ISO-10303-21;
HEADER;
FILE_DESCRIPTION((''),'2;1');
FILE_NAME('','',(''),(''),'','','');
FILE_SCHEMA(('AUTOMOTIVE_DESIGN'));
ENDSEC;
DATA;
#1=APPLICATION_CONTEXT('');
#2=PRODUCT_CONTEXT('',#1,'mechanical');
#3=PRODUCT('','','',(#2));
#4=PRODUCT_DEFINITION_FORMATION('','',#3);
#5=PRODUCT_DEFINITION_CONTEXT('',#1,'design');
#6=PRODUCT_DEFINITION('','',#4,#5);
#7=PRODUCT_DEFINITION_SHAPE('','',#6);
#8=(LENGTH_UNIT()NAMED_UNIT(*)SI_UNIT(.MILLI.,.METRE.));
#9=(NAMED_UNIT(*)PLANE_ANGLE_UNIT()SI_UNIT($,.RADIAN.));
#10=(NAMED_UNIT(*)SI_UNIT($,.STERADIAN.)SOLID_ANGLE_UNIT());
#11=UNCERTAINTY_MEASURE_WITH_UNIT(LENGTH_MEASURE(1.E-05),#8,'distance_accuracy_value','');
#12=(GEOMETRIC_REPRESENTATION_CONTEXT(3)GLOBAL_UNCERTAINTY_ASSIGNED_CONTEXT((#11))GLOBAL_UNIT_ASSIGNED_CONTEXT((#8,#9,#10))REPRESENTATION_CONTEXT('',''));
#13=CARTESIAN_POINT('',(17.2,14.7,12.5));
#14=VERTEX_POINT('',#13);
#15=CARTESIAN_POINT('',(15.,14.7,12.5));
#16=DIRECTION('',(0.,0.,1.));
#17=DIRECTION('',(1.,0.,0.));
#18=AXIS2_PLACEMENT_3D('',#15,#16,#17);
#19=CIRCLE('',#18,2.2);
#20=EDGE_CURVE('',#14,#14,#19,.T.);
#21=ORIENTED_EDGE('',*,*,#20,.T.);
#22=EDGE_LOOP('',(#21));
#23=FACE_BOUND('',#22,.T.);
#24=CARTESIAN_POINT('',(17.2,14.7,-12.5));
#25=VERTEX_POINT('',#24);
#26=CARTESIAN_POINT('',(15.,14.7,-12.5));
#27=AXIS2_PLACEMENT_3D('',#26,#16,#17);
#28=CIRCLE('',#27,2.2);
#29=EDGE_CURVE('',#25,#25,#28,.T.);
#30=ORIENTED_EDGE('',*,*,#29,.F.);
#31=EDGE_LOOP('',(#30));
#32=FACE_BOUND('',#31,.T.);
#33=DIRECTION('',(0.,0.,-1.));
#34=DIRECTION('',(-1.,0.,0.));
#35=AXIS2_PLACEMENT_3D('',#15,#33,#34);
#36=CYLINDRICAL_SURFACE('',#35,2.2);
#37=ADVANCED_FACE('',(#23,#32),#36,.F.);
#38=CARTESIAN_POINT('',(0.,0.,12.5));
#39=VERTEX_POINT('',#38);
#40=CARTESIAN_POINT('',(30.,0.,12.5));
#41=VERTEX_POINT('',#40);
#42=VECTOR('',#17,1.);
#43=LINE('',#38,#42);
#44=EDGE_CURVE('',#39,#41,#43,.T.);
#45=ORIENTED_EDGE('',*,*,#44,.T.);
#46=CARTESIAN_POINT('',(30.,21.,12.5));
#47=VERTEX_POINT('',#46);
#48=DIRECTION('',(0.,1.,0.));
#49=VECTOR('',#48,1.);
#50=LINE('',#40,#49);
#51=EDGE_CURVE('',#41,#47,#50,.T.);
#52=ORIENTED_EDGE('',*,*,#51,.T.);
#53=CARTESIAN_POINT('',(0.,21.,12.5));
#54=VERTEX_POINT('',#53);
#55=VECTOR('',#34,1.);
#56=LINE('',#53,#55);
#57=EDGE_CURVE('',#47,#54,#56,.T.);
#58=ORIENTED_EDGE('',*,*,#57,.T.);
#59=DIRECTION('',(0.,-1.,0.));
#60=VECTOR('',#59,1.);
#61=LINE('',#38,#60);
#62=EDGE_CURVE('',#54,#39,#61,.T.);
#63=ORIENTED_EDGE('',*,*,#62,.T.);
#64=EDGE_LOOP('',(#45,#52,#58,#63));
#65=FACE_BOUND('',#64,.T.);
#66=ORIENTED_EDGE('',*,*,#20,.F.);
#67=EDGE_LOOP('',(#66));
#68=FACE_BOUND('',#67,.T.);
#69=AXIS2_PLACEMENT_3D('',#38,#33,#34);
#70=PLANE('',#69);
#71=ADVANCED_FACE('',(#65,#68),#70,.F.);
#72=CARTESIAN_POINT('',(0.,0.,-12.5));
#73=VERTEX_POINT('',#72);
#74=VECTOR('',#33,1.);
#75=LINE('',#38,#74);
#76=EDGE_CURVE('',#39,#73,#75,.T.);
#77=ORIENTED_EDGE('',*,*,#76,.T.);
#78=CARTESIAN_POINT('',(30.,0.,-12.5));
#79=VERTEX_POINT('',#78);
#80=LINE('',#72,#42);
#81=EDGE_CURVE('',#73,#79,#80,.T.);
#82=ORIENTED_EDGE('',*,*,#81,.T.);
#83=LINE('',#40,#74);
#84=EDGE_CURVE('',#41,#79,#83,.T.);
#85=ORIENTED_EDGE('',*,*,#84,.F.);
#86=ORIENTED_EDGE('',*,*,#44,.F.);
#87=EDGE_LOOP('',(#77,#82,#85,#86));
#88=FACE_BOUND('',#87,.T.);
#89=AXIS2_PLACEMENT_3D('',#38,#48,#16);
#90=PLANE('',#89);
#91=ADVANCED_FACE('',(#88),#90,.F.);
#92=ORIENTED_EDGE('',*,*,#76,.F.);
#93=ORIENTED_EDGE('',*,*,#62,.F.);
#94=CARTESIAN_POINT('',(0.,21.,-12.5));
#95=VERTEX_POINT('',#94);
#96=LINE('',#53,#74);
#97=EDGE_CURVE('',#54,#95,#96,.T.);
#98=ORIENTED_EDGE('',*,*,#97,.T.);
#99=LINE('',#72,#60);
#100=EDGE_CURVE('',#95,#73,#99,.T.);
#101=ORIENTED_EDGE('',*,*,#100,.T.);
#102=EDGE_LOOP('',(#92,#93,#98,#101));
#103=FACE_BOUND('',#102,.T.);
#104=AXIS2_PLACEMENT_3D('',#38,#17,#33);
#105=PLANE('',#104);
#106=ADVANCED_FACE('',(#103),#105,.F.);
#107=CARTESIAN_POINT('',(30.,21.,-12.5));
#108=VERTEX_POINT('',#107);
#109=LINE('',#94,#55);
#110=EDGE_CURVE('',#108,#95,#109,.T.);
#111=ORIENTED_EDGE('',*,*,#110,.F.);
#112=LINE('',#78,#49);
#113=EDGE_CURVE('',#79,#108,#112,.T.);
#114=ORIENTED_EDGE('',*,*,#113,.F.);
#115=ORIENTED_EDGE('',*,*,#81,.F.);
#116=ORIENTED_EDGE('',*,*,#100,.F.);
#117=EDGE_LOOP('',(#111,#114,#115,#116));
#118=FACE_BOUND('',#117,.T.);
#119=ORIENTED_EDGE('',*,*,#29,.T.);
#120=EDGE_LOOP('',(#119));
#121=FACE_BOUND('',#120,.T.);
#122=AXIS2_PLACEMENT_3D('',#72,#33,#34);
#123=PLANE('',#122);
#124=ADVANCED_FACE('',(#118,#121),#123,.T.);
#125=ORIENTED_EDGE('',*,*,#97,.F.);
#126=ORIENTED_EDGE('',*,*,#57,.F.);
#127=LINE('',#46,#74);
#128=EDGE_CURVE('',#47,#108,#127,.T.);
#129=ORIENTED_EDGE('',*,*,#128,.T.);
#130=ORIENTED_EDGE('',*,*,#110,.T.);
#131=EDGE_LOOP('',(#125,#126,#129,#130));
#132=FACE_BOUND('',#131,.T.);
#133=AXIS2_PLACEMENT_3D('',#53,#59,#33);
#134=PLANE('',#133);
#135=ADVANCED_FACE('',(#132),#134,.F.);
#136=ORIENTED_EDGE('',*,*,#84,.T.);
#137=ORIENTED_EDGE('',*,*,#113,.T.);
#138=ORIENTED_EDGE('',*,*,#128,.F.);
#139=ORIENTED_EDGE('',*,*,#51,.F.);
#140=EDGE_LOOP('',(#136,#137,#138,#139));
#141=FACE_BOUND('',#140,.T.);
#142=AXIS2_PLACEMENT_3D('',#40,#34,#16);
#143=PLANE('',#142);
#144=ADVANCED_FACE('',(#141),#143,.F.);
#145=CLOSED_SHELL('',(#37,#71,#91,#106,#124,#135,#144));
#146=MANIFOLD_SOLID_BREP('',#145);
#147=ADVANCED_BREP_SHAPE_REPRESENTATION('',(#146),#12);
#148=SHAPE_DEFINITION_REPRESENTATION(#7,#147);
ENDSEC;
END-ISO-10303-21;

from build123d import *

# Parameters (mm, degrees)
SKETCH1_W           = 30
SKETCH1_H           = 21
SKETCH1_R           = 2.2
BOSS_EXTRUDE1_DEPTH = 12.5


with BuildPart() as part:
    # Sketch1 → Boss-Extrude1 (new body, symmetric)
    with BuildSketch(Plane.XY):
        with Locations((15, 10.5)):
            Rectangle(SKETCH1_W, SKETCH1_H)
        with Locations((15, 14.7)):
            Circle(SKETCH1_R, mode=Mode.SUBTRACT)
    extrude(amount=BOSS_EXTRUDE1_DEPTH, both=True)


solid = part.part
